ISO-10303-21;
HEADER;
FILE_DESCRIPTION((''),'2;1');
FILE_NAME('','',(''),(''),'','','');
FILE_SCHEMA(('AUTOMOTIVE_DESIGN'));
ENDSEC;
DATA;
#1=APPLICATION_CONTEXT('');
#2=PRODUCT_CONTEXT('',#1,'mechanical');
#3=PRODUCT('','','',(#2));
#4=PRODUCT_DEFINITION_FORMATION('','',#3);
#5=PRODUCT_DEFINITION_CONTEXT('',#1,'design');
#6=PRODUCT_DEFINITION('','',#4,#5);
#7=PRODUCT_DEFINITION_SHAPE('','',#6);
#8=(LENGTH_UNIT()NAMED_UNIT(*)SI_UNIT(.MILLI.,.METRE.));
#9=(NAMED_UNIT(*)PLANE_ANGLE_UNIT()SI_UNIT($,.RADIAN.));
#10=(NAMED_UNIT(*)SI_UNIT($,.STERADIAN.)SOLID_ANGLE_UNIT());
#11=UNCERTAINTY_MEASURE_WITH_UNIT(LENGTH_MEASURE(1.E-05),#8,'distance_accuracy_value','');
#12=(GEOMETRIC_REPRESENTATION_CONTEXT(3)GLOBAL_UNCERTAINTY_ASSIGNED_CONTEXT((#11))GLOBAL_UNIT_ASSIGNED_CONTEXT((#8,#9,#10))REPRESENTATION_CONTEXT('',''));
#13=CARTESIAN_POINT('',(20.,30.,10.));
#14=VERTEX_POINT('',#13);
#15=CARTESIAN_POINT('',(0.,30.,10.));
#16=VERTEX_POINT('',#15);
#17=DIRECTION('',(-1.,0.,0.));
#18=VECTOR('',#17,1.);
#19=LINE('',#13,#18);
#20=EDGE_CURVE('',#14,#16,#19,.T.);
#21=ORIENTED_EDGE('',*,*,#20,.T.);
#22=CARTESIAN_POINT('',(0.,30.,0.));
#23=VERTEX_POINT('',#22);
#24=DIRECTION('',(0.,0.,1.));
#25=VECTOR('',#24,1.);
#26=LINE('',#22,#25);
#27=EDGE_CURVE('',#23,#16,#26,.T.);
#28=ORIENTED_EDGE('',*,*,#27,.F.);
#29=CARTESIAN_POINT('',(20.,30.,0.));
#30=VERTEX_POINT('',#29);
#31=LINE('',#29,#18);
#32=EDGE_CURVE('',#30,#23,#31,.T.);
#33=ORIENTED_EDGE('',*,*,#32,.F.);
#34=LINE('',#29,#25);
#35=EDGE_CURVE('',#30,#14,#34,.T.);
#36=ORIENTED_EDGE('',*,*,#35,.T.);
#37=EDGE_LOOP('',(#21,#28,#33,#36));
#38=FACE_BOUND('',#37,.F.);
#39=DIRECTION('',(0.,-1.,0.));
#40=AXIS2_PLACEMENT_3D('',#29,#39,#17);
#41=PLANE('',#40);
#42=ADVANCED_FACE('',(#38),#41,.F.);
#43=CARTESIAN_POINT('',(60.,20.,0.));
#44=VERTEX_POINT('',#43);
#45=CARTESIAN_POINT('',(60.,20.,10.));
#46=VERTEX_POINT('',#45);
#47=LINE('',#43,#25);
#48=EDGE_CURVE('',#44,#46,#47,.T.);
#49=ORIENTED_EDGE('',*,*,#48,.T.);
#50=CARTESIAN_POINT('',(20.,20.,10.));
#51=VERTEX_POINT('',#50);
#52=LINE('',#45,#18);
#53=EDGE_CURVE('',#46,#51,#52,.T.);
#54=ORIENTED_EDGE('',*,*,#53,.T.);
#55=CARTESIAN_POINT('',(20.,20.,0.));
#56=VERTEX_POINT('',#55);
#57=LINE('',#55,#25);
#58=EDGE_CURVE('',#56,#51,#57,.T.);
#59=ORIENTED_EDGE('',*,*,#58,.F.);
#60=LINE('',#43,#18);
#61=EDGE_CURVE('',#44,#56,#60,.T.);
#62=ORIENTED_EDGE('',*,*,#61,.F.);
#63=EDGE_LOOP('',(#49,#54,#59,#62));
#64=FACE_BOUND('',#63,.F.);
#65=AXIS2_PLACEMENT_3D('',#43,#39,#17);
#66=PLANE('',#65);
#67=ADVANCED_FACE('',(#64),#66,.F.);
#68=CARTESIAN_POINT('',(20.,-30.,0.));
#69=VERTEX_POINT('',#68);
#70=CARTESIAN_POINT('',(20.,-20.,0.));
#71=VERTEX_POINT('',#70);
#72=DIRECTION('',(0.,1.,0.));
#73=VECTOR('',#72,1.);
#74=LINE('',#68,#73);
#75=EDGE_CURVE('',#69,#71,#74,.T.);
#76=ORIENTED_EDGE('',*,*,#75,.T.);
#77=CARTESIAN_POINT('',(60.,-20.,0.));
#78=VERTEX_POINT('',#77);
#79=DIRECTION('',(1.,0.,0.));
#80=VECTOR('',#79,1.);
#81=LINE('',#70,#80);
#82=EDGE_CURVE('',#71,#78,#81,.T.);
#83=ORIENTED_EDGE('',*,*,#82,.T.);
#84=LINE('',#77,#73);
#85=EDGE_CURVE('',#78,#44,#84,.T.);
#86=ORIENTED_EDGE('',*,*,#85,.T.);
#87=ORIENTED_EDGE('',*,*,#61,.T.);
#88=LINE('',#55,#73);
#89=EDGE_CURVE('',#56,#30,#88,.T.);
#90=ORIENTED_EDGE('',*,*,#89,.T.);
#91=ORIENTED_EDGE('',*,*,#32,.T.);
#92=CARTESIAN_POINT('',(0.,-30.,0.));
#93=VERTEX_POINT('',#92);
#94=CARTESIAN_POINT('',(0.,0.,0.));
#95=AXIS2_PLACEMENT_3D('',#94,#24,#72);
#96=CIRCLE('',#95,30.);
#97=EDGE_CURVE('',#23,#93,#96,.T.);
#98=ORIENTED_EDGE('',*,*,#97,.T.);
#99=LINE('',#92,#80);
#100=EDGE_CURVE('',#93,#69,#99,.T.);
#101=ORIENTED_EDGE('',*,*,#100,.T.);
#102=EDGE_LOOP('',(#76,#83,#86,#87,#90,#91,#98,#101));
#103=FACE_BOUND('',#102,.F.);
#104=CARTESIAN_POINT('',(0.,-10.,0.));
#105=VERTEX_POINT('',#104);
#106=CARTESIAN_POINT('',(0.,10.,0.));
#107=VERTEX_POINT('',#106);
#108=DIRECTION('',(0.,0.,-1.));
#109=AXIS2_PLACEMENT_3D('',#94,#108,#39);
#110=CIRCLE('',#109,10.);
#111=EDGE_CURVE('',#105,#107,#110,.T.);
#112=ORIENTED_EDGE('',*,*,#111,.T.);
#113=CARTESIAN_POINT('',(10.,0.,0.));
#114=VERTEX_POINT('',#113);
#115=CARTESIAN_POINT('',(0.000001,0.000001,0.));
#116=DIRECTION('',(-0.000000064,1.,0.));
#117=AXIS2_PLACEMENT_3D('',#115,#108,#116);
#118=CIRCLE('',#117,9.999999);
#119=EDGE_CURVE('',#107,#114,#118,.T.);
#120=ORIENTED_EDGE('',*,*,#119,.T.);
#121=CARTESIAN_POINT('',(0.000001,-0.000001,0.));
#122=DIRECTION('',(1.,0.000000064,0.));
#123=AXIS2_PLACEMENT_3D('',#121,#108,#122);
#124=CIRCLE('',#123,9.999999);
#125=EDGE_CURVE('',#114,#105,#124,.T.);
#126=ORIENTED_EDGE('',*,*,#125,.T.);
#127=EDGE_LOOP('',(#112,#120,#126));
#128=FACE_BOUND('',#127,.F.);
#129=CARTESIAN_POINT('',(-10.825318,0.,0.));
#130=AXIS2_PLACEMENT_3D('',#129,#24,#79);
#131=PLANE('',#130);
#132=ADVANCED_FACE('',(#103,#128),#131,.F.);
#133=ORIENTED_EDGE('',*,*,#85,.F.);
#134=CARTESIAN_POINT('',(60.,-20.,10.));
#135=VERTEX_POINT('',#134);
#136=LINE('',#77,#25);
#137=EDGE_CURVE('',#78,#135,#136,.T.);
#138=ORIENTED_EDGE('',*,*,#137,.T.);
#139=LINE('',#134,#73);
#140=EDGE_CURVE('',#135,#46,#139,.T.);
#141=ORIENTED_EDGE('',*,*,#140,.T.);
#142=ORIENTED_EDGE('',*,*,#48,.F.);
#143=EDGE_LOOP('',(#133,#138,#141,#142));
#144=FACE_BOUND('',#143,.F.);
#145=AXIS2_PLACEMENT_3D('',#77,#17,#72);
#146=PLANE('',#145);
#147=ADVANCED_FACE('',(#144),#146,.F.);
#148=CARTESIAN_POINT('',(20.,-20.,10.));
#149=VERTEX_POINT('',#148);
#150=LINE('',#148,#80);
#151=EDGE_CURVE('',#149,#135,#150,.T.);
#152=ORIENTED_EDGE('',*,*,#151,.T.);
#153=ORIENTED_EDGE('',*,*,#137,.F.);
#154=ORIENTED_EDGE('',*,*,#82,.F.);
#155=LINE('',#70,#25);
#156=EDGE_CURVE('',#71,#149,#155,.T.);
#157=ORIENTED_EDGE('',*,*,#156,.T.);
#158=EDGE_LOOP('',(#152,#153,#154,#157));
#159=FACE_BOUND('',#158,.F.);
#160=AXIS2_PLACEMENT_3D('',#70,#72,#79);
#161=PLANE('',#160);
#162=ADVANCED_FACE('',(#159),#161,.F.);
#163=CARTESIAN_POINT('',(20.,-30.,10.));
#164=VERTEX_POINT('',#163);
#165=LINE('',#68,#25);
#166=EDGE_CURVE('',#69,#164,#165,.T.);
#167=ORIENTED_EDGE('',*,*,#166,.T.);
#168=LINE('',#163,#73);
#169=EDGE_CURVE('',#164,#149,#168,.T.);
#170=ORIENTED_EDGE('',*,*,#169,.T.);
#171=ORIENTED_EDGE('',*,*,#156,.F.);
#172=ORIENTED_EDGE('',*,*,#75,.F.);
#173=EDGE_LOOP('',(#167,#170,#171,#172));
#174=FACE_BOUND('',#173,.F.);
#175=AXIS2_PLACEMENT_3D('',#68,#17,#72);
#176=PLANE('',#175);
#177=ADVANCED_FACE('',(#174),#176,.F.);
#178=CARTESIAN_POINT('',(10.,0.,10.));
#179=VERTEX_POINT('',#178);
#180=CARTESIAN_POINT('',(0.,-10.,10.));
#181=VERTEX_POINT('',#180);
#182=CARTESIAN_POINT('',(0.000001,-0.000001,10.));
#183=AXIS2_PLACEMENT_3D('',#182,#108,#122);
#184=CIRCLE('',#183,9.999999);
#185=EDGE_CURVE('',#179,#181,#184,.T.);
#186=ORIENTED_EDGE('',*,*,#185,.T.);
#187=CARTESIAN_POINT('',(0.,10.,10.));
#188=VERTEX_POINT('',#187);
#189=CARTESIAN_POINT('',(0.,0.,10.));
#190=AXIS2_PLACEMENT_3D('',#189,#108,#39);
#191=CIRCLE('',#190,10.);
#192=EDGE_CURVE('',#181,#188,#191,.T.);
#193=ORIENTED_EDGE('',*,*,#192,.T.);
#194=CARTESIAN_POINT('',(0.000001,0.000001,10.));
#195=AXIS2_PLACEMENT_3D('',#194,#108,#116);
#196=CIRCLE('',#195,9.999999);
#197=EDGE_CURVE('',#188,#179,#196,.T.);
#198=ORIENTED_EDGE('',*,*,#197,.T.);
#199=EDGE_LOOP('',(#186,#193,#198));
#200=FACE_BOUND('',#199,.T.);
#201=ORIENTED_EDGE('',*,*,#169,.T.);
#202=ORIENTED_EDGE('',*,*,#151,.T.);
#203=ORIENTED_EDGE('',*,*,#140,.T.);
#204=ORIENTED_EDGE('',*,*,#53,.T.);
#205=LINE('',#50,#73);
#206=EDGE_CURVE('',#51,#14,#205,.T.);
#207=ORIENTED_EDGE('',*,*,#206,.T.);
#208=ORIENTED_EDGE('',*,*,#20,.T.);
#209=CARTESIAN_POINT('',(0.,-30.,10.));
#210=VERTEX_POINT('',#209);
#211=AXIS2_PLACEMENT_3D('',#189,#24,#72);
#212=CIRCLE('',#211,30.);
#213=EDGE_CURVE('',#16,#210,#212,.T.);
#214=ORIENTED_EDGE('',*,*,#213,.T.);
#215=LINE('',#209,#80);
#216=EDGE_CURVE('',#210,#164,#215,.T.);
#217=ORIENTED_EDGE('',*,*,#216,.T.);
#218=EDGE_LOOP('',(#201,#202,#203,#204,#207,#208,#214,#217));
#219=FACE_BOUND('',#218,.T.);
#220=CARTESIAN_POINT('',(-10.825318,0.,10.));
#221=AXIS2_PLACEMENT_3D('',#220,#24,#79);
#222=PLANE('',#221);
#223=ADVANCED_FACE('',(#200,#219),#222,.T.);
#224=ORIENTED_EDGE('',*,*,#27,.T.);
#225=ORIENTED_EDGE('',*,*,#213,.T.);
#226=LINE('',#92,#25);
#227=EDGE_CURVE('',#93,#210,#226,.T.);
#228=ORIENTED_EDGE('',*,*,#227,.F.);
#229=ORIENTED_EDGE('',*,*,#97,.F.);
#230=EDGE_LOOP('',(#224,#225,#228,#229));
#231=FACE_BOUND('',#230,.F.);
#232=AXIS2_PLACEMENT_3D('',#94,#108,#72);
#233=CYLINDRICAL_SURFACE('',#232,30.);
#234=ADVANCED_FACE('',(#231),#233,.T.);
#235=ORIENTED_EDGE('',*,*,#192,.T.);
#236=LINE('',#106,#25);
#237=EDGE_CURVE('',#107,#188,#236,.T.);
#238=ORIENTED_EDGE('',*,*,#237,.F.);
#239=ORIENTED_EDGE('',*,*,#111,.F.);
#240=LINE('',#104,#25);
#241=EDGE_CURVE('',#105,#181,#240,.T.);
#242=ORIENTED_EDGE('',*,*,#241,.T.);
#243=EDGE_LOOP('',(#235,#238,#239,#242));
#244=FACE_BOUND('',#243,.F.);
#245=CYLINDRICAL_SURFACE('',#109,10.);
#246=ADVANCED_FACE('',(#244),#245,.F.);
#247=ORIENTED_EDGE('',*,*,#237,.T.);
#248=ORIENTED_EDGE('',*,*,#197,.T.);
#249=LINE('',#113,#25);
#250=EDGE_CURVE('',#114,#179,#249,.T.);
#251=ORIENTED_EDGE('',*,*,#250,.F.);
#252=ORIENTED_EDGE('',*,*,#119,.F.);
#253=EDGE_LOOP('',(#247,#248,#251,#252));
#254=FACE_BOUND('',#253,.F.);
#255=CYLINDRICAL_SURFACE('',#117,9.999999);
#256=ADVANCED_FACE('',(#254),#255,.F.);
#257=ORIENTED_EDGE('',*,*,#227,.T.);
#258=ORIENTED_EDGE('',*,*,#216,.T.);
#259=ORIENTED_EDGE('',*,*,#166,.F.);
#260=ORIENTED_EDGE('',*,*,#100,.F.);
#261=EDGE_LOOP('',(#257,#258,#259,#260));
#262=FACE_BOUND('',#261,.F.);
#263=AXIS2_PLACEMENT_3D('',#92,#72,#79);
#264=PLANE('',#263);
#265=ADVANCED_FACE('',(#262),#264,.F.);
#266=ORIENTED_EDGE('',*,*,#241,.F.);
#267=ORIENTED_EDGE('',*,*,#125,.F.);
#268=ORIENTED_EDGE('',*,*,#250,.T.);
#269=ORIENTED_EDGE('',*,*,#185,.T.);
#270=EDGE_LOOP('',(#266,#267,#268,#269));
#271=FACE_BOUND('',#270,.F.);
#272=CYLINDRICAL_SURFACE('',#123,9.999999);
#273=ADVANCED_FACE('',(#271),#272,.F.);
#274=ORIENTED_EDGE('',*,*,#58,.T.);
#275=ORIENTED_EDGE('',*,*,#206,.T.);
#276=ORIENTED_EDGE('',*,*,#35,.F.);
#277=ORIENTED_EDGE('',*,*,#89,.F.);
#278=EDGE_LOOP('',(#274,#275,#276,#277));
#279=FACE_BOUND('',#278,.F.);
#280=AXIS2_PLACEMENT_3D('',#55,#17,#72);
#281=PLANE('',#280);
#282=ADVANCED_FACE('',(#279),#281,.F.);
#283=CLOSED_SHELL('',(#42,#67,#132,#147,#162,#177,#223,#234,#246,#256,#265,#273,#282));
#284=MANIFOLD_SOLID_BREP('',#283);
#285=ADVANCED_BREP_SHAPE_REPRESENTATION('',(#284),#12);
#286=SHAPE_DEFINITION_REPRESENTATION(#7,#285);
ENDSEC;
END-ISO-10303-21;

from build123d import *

# Parameters (mm, degrees)
F1_DEPTH = 10


with BuildPart() as f1:
    # F0 (on Top) → F1 (new body)
    with BuildSketch(Plane.XY):
        with BuildLine():
            Line((0, -30), (0, -10))
            ThreePointArc((0, -10), (-10, 0), (0, 10))
            Line((0, 10), (0, 30))
            ThreePointArc((0, 30), (-30, 0), (0, -30))
        make_face()
        with BuildLine():
            ThreePointArc((0, 10), (7.071068, 7.071068), (10, 0))
            Line((10, 0), (60, 0))
            Line((60, 0), (60, 20))
            Line((60, 20), (20, 20))
            Line((20, 20), (20, 30))
            Line((20, 30), (0, 30))
            Line((0, 30), (0, 10))
        make_face()
        with BuildLine():
            ThreePointArc((10, 0), (7.071068, -7.071068), (0, -10))
            Line((0, -10), (0, -30))
            Line((0, -30), (20, -30))
            Line((20, -30), (20, -20))
            Line((20, -20), (60, -20))
            Line((60, -20), (60, 0))
            Line((60, 0), (10, 0))
        make_face()
    extrude(amount=F1_DEPTH)


solid = f1.part
